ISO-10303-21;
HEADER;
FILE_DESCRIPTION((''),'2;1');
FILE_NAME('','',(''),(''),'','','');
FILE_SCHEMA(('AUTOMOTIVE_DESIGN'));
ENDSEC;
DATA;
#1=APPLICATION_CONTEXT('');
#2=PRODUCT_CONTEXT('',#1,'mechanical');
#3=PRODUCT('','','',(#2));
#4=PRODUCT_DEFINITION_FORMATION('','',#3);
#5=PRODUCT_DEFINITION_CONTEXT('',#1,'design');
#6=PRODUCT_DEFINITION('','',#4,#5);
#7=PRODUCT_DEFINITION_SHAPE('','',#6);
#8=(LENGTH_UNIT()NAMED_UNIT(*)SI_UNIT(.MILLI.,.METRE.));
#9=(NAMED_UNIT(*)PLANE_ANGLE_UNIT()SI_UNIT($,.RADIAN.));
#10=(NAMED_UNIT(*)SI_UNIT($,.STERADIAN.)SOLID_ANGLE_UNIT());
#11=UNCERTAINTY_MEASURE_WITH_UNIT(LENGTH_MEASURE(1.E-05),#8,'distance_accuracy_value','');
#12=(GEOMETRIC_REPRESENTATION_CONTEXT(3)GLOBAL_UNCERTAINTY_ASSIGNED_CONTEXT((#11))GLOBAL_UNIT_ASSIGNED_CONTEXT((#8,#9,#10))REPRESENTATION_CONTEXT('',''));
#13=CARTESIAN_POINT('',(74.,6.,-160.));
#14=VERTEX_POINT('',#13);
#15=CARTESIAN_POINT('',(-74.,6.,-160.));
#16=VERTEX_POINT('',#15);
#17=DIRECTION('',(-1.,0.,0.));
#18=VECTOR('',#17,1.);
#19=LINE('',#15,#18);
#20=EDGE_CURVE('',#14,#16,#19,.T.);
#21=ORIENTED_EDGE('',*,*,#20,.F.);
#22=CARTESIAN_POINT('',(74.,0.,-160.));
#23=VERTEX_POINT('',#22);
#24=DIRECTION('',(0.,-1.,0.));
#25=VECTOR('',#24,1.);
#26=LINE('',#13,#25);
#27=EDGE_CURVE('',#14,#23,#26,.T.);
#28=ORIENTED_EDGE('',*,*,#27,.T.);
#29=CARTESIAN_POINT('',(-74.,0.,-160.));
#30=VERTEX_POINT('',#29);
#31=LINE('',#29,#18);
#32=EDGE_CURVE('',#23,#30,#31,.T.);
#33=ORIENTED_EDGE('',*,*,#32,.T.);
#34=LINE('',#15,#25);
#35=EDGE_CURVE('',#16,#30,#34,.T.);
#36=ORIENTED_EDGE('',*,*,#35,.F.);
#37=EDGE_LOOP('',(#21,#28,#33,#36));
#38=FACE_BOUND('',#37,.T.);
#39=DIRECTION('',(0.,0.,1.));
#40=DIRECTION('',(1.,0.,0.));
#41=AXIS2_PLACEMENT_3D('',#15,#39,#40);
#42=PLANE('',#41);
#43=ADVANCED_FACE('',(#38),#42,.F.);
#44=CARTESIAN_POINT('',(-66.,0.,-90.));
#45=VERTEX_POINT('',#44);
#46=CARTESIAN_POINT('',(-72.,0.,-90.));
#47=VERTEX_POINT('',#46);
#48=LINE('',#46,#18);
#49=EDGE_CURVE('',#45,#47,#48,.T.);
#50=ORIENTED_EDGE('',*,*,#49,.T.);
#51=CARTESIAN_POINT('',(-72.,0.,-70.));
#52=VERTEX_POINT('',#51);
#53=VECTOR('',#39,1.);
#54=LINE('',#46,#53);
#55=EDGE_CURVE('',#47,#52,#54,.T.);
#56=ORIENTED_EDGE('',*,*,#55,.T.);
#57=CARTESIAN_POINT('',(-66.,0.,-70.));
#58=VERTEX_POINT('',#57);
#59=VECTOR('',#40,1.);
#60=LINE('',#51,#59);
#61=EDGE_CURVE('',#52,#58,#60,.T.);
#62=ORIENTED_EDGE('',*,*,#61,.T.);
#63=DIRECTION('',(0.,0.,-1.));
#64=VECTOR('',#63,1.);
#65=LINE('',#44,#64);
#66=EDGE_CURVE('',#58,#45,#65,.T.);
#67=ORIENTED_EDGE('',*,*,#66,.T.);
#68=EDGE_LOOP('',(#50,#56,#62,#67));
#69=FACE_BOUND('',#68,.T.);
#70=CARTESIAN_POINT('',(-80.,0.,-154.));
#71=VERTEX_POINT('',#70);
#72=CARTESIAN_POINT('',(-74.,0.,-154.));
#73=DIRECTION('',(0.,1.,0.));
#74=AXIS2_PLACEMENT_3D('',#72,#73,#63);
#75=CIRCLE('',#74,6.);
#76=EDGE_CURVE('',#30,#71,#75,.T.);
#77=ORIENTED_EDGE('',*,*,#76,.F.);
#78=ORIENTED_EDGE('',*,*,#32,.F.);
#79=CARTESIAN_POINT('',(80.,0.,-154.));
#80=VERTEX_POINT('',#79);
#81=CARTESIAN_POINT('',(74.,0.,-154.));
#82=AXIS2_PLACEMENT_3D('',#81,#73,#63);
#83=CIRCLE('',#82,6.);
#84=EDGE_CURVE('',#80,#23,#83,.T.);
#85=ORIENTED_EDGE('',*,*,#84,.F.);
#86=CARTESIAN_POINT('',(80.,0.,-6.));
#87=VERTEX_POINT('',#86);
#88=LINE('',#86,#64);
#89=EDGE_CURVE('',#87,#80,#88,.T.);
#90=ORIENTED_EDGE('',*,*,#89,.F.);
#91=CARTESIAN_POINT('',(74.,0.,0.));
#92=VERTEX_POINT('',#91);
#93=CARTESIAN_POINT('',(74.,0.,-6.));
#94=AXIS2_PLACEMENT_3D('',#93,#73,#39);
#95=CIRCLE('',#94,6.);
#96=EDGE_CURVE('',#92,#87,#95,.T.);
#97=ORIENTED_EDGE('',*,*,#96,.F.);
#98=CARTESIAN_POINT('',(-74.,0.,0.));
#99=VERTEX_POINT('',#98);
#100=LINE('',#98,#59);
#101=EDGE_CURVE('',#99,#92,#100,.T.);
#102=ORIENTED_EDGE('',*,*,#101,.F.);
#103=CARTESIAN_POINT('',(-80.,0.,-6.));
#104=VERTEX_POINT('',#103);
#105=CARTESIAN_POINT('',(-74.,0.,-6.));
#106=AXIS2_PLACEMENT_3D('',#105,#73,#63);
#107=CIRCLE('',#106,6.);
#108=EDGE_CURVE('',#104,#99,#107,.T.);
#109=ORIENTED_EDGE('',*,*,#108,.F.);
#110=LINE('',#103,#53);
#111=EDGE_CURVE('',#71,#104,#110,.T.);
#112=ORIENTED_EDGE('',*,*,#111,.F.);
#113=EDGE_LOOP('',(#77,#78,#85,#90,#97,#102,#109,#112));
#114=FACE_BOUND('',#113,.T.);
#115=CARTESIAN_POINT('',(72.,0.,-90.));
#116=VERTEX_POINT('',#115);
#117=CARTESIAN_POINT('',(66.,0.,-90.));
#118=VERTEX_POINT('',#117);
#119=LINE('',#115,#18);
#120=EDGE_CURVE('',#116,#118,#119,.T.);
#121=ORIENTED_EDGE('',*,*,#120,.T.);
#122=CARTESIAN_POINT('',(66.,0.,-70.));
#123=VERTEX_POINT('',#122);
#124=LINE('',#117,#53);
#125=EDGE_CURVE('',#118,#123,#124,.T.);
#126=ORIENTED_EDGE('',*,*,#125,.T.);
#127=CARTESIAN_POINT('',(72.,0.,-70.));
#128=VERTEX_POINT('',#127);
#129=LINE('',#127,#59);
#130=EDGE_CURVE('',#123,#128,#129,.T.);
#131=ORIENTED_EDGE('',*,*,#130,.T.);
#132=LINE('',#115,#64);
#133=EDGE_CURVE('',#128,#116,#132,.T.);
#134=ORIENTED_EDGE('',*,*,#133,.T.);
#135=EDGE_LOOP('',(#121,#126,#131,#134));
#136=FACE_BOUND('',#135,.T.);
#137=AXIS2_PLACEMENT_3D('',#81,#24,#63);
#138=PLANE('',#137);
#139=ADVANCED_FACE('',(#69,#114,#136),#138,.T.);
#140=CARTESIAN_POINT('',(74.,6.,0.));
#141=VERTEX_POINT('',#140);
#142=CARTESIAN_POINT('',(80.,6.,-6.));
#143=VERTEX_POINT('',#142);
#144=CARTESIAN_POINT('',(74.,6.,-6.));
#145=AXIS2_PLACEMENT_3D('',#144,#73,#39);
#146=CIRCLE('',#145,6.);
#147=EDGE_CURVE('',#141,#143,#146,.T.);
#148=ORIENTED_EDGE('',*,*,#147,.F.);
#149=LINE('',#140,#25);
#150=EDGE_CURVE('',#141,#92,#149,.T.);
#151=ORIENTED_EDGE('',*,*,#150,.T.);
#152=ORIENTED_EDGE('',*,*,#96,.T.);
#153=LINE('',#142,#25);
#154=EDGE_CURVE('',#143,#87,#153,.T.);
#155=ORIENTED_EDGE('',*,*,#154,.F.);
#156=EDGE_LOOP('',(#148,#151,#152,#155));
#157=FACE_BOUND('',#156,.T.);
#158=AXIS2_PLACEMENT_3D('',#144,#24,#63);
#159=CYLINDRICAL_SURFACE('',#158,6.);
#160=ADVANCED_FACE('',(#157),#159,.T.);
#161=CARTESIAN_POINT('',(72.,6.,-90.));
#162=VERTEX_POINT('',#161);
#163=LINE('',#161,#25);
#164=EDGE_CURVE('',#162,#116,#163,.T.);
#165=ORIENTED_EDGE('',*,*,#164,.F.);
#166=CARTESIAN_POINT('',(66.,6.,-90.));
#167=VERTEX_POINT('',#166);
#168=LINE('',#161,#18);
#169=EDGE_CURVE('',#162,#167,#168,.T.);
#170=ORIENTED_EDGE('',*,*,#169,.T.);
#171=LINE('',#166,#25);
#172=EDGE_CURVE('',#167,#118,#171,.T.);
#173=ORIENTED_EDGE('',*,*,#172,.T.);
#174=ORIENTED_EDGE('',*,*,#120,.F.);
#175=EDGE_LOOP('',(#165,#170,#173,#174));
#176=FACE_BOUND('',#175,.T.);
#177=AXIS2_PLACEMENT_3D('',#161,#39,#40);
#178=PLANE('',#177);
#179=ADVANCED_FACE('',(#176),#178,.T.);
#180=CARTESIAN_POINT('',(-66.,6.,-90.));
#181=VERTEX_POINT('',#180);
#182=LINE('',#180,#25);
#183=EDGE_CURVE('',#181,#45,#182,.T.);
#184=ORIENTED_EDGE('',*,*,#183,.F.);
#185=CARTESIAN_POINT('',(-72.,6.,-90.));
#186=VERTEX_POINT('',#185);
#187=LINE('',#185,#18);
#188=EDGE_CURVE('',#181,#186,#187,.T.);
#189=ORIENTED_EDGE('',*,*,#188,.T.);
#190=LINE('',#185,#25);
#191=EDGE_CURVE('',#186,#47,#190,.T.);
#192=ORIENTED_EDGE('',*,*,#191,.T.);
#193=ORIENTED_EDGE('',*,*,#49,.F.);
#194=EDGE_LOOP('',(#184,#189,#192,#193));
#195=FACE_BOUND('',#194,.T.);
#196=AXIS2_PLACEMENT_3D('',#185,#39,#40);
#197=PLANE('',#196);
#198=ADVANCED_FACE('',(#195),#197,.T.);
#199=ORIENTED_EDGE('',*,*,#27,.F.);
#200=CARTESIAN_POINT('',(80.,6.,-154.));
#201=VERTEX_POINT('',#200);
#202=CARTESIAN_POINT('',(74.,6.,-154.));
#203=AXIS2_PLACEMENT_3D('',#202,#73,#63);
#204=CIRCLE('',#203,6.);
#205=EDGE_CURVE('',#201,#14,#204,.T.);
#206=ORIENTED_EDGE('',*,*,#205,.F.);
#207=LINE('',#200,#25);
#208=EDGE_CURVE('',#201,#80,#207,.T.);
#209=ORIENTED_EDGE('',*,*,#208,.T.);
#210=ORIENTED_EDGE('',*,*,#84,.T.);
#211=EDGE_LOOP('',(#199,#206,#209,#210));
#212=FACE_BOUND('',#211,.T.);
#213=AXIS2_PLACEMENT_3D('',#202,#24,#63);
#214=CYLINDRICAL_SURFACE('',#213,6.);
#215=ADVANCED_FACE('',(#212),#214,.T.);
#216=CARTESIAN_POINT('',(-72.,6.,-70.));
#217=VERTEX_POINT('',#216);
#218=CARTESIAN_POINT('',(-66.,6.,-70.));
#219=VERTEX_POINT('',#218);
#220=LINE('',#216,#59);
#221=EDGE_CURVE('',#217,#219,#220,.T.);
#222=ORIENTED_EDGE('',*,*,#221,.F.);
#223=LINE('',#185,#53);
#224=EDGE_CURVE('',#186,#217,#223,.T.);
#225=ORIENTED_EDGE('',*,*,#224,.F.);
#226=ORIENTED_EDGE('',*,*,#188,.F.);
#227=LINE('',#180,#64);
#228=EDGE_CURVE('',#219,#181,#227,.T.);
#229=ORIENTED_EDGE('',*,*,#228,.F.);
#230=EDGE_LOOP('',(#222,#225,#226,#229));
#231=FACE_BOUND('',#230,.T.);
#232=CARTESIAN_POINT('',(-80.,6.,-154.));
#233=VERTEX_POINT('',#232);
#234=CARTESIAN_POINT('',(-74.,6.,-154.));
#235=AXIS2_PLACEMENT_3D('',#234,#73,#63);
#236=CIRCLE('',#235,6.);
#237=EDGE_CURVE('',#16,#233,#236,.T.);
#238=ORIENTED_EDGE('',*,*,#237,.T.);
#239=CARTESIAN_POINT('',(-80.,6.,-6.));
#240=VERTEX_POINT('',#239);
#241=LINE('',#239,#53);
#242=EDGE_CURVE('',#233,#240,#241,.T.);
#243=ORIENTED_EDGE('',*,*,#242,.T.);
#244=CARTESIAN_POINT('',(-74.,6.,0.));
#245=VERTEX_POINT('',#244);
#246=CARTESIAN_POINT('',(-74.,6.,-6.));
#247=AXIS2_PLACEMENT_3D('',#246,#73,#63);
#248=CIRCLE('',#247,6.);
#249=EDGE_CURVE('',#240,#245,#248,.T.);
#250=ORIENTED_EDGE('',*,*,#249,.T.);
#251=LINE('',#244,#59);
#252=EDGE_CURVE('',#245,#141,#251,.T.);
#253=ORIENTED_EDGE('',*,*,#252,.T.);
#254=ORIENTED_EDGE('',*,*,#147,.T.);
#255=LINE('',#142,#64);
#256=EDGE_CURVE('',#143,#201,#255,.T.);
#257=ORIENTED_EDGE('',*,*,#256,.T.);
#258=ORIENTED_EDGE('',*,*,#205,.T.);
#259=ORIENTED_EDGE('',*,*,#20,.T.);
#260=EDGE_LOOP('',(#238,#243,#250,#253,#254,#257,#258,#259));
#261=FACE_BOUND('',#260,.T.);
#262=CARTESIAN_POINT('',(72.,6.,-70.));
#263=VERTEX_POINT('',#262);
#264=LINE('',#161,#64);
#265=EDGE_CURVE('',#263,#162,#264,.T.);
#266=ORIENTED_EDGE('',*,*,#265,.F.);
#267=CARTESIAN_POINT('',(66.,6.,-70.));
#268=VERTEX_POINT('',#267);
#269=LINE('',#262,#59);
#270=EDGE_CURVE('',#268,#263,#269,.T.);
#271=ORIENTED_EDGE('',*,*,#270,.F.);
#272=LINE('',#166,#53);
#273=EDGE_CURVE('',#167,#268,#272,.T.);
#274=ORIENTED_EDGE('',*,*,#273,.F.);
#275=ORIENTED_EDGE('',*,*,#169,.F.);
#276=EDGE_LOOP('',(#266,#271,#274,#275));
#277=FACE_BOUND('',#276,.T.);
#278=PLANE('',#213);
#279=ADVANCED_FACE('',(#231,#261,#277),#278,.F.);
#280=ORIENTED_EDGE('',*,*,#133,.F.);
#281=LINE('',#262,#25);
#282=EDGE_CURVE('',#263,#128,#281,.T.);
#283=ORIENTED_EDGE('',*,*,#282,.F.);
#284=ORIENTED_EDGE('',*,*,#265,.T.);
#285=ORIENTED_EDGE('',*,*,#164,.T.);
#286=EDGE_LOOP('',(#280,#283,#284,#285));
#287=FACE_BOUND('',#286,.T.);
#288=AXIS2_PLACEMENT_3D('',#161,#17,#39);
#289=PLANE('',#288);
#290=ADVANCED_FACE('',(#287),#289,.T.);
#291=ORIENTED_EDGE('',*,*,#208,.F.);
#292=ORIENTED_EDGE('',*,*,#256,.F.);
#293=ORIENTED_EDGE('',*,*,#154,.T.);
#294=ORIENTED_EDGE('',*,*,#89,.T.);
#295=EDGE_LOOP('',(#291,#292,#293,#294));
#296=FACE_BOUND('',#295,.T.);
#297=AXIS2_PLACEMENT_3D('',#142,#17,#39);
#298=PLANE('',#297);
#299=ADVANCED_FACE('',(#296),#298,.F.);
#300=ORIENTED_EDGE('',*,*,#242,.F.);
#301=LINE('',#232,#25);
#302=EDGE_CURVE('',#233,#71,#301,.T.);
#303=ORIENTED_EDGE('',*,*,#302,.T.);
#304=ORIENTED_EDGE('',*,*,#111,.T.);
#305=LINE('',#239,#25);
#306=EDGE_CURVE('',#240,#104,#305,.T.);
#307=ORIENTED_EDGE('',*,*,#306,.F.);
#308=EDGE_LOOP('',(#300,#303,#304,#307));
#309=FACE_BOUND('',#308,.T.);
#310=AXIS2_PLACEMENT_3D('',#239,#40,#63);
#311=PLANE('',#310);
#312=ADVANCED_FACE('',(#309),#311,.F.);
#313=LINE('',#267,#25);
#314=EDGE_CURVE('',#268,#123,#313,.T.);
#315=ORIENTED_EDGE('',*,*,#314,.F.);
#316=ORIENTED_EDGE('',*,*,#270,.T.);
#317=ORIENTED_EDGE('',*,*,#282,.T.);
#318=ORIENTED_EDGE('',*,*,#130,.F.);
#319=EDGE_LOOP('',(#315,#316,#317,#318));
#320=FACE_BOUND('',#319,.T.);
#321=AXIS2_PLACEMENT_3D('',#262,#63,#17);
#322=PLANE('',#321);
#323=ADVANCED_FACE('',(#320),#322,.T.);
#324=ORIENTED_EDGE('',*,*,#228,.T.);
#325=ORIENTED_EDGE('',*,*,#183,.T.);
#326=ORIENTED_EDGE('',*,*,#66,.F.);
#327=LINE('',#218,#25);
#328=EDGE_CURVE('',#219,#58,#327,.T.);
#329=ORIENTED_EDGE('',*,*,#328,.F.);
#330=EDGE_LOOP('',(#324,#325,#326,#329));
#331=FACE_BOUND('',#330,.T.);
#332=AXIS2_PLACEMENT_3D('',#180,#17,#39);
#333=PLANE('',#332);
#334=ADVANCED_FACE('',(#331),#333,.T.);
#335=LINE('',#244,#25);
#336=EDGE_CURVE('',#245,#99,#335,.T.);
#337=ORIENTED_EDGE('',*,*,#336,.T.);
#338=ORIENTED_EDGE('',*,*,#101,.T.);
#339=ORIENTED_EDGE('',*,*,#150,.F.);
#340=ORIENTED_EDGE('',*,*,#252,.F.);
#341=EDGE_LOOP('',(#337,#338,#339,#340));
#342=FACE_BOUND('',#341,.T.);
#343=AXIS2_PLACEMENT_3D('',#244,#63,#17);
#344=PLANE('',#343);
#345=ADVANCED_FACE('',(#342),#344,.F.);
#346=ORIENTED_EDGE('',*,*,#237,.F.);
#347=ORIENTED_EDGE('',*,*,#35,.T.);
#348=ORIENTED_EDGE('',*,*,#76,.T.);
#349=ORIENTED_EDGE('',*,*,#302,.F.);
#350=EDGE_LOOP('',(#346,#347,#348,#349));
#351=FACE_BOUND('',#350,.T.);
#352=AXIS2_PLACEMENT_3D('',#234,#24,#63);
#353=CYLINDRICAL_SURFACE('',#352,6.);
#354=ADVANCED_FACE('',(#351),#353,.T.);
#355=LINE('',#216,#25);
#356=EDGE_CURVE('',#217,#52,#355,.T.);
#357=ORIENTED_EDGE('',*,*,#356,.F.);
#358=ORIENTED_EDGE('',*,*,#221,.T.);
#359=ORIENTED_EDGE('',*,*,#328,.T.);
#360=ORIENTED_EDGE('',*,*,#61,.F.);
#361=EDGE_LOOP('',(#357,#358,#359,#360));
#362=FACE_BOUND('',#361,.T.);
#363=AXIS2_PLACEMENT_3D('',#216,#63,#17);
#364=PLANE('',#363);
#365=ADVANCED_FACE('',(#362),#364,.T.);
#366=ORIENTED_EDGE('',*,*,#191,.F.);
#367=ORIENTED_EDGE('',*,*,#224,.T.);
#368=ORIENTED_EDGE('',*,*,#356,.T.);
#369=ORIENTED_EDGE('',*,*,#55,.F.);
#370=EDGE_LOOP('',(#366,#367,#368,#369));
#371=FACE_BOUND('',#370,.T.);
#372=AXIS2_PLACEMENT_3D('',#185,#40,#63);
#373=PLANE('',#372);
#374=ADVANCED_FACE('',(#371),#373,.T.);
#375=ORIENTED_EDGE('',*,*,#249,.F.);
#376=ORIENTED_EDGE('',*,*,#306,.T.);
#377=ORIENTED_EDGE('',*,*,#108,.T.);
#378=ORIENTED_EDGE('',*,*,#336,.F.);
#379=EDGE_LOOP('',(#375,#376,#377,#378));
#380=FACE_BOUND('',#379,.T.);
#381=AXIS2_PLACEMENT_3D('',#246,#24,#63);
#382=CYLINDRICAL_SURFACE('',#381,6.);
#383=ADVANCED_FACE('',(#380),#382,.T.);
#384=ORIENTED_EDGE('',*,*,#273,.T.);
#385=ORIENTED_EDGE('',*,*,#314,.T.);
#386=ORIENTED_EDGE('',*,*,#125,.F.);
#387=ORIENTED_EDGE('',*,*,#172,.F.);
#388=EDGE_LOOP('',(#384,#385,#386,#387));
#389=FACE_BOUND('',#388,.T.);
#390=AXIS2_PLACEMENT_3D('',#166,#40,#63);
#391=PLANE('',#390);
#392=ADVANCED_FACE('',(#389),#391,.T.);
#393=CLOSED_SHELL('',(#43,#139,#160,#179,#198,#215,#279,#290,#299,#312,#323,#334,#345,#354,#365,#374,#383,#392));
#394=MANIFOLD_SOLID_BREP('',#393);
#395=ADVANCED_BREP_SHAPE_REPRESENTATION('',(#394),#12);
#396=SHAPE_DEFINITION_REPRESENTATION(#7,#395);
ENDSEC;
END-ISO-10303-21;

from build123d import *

# Parameters (mm, degrees)
SKETCH1_W           = 6
SKETCH1_H           = 20
BOSS_EXTRUDE1_DEPTH = 6


with BuildPart() as part:
    # Sketch1 → Boss-Extrude1 (new body)
    with BuildSketch(Plane(origin=(0, 0, 0), x_dir=(1, 0, 0), z_dir=(0, 1, 0))):
        with BuildLine():
            Line((-74, 0), (74, 0))
            ThreePointArc((74, 0), (78.242640687, 1.757359313), (80, 6))
            Line((80, 6), (80, 154))
            ThreePointArc((80, 154), (78.242640687, 158.242640687), (74, 160))
            Line((74, 160), (-74, 160))
            ThreePointArc((-74, 160), (-78.242640687, 158.242640687), (-80, 154))
            Line((-80, 154), (-80, 6))
            ThreePointArc((-80, 6), (-78.242640687, 1.757359313), (-74, 0))
        make_face()
        with Locations((-69, 80)):
            Rectangle(SKETCH1_W, SKETCH1_H, mode=Mode.SUBTRACT)
        with Locations((69, 80)):
            Rectangle(SKETCH1_W, SKETCH1_H, mode=Mode.SUBTRACT)
    extrude(amount=BOSS_EXTRUDE1_DEPTH)


solid = part.part
